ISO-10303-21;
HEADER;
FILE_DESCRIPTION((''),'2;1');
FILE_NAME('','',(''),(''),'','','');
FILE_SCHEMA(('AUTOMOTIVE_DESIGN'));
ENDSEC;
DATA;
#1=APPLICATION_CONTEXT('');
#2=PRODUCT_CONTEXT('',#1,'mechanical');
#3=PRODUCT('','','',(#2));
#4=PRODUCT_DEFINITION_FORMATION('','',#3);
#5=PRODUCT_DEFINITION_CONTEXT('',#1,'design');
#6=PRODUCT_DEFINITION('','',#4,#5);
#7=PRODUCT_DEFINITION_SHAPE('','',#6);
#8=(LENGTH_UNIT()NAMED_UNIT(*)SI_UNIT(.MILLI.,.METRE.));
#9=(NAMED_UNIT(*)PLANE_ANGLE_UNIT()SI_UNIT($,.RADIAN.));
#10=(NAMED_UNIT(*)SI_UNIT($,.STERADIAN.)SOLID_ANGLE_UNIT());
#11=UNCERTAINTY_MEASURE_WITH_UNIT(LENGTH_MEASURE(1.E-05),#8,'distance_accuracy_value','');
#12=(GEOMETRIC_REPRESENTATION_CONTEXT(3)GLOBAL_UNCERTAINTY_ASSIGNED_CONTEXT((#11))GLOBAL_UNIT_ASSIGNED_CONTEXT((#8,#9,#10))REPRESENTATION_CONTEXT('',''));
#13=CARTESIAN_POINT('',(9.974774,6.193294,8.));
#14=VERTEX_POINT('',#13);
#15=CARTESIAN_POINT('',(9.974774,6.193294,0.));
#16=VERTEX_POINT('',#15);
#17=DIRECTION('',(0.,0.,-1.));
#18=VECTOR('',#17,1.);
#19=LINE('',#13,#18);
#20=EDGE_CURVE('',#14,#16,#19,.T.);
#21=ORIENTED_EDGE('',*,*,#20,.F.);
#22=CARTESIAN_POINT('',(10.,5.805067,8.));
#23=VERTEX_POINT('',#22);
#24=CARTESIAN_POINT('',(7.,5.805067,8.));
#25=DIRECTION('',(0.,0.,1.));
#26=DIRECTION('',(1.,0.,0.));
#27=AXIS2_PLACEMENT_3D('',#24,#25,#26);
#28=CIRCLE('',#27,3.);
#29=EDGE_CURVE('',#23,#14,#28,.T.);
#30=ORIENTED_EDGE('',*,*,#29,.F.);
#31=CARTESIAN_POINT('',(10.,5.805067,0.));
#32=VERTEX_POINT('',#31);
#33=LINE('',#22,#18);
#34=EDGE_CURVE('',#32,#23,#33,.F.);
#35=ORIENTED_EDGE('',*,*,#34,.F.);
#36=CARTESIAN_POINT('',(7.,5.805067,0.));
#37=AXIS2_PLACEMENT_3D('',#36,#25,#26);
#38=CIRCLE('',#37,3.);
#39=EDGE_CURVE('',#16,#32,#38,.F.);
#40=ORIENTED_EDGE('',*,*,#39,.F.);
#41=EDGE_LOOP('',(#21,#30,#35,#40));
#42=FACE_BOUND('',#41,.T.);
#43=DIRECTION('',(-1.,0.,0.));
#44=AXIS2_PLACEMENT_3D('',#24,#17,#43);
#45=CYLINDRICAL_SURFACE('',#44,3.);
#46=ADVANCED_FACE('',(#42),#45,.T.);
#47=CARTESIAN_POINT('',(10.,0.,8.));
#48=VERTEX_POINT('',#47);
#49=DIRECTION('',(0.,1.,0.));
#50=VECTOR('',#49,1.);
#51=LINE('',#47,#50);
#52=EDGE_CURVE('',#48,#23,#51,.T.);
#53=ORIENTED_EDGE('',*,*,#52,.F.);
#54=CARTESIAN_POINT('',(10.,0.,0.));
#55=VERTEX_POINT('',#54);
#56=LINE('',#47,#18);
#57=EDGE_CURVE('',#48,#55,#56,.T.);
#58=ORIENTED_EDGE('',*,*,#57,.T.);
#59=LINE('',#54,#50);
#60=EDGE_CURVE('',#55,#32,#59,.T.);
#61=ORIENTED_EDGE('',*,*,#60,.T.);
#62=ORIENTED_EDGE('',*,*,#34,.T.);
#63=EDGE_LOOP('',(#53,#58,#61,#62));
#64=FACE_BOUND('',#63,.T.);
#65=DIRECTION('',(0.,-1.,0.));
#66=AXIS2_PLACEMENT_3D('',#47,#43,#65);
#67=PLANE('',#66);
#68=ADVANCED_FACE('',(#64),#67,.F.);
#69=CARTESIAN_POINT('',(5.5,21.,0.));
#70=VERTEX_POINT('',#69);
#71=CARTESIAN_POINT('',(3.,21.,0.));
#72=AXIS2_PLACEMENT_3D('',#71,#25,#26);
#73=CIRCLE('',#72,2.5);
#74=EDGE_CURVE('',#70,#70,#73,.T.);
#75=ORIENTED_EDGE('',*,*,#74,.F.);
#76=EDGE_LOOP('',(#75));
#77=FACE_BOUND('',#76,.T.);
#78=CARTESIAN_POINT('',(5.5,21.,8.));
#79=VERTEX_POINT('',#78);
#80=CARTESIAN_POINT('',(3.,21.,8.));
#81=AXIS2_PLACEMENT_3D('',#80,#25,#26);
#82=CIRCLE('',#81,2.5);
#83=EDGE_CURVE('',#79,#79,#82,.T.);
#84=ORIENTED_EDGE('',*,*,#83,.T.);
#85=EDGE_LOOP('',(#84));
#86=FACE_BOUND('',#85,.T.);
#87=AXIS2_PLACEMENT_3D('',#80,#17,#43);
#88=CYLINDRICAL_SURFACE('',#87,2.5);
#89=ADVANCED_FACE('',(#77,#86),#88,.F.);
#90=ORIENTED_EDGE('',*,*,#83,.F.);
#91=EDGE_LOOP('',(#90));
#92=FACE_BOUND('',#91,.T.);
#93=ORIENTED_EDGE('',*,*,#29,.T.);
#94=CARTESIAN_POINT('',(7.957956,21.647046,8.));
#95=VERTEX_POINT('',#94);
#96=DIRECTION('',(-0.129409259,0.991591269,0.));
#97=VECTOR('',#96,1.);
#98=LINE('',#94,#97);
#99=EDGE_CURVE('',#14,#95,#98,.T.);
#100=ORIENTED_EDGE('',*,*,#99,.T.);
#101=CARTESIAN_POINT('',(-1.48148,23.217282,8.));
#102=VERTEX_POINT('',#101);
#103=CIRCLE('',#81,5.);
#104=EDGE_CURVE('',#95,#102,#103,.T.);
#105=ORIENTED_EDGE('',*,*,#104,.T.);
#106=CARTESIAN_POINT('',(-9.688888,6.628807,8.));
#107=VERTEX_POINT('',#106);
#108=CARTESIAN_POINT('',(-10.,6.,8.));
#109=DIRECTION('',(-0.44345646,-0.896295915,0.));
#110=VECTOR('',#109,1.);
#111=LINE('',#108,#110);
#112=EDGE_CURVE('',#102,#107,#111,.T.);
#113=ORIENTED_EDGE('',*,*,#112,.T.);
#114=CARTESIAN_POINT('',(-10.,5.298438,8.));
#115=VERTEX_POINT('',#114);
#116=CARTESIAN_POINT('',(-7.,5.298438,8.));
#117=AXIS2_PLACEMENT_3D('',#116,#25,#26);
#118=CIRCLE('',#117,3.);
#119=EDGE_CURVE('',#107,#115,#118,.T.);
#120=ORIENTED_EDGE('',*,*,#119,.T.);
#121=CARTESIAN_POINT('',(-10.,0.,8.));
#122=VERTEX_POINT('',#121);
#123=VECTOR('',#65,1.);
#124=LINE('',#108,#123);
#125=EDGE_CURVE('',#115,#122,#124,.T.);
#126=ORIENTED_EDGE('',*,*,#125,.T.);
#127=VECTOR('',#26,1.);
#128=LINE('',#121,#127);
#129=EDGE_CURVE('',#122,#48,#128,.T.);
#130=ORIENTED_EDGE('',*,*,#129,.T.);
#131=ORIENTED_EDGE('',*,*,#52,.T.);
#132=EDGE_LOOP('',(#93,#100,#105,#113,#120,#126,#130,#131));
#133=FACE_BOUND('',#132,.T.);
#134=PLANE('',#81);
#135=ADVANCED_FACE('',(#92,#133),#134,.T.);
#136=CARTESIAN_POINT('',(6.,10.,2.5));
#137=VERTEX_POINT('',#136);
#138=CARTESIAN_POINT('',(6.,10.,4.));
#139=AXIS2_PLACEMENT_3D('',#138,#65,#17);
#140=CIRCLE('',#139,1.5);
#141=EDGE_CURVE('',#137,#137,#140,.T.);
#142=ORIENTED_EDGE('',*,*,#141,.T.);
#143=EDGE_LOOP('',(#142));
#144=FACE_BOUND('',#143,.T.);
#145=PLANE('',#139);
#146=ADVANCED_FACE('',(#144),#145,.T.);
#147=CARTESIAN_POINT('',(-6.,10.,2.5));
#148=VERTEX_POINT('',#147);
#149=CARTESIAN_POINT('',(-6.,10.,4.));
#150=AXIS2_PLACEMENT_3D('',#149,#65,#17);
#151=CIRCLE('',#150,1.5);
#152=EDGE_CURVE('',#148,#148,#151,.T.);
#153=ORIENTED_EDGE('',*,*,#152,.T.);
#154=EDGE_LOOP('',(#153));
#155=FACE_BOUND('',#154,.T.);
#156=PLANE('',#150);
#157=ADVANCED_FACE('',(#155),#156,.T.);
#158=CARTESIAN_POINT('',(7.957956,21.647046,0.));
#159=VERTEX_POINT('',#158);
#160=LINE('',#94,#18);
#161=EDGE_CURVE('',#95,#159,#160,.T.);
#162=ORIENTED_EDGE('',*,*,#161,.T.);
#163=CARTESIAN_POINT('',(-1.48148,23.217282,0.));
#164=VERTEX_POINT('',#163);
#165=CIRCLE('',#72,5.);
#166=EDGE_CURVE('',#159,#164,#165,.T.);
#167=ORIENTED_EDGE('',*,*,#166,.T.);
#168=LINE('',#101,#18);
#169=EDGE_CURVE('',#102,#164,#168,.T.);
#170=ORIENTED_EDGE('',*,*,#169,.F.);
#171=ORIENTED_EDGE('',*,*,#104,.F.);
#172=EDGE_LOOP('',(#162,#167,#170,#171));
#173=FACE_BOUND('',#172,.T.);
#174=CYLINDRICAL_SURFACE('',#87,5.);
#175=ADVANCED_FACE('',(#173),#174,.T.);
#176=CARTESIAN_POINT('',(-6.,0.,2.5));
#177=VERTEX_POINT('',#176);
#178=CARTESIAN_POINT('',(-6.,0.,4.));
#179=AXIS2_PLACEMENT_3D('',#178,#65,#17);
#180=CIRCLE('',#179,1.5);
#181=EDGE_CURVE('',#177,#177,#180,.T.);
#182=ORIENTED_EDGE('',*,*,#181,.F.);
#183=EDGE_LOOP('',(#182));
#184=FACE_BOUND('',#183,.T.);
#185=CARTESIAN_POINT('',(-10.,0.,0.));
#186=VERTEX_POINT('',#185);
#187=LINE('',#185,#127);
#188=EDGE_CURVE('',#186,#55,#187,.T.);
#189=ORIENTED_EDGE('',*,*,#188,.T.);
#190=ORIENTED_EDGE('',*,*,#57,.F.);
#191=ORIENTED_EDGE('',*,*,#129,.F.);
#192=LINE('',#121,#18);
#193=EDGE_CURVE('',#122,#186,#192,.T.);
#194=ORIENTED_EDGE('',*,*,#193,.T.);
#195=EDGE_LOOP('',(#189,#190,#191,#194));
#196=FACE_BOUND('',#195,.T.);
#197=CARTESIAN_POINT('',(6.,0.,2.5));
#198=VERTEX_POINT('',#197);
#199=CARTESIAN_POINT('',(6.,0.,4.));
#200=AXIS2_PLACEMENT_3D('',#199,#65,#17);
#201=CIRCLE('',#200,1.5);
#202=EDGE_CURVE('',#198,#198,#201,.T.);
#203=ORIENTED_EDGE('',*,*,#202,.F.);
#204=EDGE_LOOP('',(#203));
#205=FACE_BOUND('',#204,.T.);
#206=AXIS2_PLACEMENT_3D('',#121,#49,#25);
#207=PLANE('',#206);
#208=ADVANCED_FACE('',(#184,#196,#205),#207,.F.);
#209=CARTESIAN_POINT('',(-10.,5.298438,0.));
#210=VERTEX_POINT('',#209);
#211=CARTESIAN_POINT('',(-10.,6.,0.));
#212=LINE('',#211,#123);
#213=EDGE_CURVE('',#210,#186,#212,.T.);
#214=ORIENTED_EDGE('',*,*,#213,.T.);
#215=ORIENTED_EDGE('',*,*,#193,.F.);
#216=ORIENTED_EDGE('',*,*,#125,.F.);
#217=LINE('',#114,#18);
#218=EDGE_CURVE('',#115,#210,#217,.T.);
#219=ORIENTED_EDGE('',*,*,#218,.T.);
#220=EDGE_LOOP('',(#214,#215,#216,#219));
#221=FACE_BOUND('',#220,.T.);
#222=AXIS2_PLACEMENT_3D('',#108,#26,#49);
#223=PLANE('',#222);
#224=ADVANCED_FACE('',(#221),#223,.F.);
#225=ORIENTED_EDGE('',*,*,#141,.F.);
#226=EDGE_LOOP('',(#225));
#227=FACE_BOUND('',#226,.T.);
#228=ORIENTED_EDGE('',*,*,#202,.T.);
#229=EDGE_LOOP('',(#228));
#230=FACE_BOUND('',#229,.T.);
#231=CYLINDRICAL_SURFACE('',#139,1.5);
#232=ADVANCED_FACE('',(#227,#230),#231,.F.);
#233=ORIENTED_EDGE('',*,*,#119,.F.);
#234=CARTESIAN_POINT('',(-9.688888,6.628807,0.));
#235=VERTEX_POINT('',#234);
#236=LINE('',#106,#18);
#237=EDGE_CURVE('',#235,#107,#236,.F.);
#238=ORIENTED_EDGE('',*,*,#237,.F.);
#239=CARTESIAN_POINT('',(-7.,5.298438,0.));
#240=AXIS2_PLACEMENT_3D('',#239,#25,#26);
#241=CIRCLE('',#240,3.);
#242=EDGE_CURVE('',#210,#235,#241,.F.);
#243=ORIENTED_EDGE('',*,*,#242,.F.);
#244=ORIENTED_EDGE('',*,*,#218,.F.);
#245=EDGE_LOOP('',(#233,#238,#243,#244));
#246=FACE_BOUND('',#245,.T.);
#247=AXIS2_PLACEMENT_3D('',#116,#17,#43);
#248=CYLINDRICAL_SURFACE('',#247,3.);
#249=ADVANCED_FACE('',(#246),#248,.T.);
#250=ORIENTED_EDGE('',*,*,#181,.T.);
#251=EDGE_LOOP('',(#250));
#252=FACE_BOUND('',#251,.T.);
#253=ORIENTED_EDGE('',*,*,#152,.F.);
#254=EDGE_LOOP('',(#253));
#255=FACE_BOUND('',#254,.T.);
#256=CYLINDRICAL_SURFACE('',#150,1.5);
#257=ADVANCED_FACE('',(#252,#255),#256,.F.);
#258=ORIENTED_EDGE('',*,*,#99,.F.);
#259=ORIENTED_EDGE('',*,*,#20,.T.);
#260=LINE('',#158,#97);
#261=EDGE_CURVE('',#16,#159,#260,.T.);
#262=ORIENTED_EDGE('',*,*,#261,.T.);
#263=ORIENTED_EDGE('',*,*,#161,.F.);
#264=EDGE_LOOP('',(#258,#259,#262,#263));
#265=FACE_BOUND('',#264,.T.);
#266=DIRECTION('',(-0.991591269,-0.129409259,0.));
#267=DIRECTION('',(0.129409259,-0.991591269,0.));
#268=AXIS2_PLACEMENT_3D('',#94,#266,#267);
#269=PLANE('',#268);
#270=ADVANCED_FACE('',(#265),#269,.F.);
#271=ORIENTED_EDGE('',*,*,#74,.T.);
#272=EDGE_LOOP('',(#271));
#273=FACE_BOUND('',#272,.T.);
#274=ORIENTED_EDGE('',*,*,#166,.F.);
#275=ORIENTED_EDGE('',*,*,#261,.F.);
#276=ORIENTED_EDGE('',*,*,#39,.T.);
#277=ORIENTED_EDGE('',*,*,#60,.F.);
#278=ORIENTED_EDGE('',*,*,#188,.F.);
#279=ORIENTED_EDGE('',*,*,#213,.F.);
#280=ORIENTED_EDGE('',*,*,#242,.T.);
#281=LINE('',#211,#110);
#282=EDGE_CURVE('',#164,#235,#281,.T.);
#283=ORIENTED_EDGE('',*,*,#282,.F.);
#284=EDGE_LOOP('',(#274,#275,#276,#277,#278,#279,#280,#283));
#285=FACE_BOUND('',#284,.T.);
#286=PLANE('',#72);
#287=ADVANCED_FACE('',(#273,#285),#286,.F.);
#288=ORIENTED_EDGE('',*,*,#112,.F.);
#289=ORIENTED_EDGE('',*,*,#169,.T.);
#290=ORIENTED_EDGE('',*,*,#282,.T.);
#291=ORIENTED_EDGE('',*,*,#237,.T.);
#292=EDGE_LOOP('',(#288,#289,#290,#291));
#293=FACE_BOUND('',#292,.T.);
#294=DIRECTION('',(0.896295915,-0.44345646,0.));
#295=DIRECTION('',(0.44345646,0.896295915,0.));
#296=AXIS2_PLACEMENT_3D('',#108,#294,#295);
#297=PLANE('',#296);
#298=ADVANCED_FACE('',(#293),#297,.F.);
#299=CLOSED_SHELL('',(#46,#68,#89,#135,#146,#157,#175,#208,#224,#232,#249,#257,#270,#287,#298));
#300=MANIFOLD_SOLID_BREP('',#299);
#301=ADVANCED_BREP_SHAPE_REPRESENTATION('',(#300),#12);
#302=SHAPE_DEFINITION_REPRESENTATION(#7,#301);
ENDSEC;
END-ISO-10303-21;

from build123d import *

# Parameters (mm, degrees)
SKETCH_1_R          = 2.5
EXTRUDE_1_DEPTH     = 8
SKETCH_2_R          = 1.5
CUT_EXTRUDE_1_DEPTH = 10
FILLET_1_R          = 3


with BuildPart() as part:
    # 草图1 → 凸台-拉伸1 (new body)
    with BuildSketch(Plane.XY):
        with BuildLine():
            Line((-10, 0), (10, 0))
            Line((10, 0), (10, 6))
            Line((10, 6), (7.957956343, 21.647046293))
            ThreePointArc((7.957956343, 21.647046293), (3.820468041, 25.932223859), (-1.481479577, 23.2172823))
            Line((-1.481479577, 23.2172823), (-10, 6))
            Line((-10, 6), (-10, 0))
        make_face()
        with Locations((3, 21)):
            Circle(SKETCH_1_R, mode=Mode.SUBTRACT)
    extrude(amount=EXTRUDE_1_DEPTH)

    # 草图2 → 切除-拉伸1 (cut)
    with BuildSketch(Plane.XZ):
        with Locations((-6, 4)):
            Circle(SKETCH_2_R)
        with Locations((6, 4)):
            Circle(SKETCH_2_R)
    extrude(amount=-CUT_EXTRUDE_1_DEPTH, mode=Mode.SUBTRACT)

    # 圆角1
    fillet_1_edges = [part.edges().sort_by_distance(p)[0] for p in [
        (-10, 6, 4),
        (10, 6, 4),
    ]]
    fillet(fillet_1_edges, radius=FILLET_1_R)


solid = part.part
